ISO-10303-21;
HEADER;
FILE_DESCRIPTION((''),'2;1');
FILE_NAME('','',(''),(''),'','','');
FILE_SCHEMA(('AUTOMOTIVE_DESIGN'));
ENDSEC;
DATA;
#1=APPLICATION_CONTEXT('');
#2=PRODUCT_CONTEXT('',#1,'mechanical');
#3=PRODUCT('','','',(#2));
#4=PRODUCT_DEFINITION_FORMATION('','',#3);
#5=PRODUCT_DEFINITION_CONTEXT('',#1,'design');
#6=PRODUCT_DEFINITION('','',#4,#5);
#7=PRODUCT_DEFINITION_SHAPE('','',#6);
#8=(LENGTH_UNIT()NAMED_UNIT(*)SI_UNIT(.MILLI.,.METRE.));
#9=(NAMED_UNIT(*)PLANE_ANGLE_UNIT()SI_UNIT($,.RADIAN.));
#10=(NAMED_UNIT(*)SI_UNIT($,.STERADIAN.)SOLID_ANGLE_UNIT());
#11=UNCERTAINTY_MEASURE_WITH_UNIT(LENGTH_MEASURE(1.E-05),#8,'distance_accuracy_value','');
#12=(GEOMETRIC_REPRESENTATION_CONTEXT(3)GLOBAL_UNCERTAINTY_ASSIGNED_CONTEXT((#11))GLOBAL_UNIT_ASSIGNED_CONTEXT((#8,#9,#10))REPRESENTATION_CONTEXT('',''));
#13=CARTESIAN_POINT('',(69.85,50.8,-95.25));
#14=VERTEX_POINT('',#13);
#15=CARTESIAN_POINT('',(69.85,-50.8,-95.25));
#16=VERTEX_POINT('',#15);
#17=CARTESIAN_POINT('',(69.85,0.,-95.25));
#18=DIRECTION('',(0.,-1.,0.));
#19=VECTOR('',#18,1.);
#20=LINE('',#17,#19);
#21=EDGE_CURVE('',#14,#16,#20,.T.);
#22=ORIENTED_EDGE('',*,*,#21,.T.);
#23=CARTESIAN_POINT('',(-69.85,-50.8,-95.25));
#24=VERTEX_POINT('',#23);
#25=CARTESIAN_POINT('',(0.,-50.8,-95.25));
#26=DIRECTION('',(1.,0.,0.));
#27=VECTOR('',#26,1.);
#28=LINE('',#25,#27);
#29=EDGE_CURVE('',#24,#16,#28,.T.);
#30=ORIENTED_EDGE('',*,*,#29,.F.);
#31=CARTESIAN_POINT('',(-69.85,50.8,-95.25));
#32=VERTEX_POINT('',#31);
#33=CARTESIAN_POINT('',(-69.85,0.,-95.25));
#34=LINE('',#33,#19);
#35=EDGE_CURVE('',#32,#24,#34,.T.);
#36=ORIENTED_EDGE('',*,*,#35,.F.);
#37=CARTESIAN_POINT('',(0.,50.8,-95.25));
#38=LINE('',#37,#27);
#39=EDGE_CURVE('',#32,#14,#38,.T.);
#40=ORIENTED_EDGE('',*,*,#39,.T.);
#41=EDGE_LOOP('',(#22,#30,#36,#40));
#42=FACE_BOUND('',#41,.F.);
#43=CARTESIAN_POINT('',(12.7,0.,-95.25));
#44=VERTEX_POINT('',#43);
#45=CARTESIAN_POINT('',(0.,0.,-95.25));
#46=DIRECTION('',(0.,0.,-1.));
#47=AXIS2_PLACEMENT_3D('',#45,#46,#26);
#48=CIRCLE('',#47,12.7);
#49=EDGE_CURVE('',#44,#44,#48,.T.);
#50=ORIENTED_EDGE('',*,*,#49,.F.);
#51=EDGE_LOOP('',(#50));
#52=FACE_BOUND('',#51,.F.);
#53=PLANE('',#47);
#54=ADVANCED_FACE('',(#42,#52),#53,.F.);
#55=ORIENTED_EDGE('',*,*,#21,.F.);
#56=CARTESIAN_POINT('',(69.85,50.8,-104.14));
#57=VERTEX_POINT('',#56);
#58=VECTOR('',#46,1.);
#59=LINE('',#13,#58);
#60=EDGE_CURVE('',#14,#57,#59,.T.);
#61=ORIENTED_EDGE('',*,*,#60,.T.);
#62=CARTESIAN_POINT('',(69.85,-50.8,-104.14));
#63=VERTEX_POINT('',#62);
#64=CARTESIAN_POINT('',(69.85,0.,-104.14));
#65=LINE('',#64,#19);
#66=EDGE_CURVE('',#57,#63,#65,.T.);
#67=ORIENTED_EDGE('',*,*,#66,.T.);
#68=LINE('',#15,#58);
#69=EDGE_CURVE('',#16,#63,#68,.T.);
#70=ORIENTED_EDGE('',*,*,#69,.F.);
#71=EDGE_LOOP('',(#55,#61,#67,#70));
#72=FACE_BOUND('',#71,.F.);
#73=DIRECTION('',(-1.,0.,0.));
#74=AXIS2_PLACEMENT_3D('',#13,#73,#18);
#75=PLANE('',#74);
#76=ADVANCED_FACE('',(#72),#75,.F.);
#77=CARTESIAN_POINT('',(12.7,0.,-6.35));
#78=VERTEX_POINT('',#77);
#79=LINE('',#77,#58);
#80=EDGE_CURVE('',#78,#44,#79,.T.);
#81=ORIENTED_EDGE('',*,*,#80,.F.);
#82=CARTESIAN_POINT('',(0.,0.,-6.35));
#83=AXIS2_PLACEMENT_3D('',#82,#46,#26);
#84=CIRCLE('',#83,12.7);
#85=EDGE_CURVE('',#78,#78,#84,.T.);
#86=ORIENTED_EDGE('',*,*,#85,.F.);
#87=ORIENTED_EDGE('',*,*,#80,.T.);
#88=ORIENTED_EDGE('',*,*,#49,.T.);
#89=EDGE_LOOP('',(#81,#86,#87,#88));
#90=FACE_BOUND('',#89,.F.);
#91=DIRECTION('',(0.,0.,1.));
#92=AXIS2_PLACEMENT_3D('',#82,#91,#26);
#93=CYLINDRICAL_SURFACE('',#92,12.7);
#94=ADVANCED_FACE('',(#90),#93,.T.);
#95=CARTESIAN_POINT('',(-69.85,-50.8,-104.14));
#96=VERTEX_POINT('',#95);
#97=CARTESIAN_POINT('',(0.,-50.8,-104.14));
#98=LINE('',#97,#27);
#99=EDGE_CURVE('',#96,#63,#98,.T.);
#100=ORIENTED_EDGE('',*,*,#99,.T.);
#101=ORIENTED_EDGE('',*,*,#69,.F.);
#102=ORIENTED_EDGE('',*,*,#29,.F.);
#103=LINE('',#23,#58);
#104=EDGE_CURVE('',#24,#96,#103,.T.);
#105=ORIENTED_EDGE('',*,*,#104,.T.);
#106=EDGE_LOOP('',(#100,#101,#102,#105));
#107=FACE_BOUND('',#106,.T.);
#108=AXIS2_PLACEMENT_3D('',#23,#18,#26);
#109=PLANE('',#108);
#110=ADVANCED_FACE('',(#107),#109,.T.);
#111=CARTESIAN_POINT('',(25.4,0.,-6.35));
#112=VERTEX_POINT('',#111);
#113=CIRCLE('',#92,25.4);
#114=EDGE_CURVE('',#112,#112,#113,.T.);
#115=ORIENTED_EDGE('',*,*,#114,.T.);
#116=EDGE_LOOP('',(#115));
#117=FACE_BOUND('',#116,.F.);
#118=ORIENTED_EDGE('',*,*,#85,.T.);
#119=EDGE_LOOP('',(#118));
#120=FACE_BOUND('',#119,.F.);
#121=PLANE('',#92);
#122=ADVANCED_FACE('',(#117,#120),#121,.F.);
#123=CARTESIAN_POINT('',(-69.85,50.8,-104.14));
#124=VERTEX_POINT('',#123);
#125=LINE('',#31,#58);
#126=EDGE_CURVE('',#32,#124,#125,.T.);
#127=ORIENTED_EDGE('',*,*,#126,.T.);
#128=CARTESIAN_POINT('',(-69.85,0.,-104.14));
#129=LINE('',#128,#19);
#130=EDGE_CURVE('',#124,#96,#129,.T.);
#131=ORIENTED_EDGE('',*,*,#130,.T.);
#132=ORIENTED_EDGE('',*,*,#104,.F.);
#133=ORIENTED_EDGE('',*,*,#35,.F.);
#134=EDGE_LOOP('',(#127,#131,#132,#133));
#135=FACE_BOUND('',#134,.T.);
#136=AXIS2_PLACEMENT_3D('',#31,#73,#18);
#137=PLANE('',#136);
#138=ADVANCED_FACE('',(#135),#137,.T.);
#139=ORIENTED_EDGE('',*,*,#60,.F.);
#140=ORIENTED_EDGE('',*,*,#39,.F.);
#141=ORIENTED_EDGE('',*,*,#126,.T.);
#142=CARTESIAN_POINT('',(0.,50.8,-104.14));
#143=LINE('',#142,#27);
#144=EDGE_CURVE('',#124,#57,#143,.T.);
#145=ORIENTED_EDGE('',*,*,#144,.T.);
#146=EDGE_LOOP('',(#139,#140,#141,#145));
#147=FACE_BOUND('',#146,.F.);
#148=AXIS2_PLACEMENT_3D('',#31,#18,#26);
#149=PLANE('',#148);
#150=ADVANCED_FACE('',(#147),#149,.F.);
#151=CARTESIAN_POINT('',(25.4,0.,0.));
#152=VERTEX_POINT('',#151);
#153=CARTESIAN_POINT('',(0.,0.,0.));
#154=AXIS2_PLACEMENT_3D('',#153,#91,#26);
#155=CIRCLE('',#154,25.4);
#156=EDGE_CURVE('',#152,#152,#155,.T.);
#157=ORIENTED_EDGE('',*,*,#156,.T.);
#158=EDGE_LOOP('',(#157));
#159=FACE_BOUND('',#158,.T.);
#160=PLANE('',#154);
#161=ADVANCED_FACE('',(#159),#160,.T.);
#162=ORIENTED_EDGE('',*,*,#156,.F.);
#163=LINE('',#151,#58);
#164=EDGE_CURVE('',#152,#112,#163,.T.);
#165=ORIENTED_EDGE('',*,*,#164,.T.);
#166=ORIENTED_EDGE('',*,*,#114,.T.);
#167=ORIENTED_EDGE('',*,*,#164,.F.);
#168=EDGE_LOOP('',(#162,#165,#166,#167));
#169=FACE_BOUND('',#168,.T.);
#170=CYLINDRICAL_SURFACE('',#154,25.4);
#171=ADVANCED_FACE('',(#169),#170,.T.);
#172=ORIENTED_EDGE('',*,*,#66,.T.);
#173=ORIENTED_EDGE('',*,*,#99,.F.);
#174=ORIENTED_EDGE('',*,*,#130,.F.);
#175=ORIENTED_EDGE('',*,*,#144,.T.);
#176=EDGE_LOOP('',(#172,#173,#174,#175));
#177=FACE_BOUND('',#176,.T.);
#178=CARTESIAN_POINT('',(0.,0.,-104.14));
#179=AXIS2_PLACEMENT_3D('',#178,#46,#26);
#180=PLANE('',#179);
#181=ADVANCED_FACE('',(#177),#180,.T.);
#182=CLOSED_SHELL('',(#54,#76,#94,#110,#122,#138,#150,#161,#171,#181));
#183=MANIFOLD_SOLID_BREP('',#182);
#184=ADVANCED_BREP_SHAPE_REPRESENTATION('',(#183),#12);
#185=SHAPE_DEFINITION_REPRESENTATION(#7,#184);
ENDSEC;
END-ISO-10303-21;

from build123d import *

# Parameters (mm, degrees)
F0_R     = 25.4
F1_DEPTH = 6.35
F2_R     = 12.7
F3_DEPTH = 88.9
F4_W     = 139.7
F4_H     = 101.6
F5_DEPTH = 8.89


with BuildPart() as f1:
    # F0 (on Top) → F1 (new body)
    with BuildSketch(Plane.XY):
        Circle(F0_R)
    extrude(amount=-F1_DEPTH)

    # F2 (on face) → F3 (join)
    with BuildSketch(Plane(origin=(0, 0, -6.35), x_dir=(1, 0, 0), z_dir=(0, 0, -1))):
        Circle(F2_R)
    extrude(amount=F3_DEPTH)

    # F4 (on face) → F5 (join)
    with BuildSketch(Plane(origin=(0, 0, -95.25), x_dir=(1, 0, 0), z_dir=(0, 0, -1))):
        Rectangle(F4_W, F4_H)
    extrude(amount=F5_DEPTH)


solid = f1.part
